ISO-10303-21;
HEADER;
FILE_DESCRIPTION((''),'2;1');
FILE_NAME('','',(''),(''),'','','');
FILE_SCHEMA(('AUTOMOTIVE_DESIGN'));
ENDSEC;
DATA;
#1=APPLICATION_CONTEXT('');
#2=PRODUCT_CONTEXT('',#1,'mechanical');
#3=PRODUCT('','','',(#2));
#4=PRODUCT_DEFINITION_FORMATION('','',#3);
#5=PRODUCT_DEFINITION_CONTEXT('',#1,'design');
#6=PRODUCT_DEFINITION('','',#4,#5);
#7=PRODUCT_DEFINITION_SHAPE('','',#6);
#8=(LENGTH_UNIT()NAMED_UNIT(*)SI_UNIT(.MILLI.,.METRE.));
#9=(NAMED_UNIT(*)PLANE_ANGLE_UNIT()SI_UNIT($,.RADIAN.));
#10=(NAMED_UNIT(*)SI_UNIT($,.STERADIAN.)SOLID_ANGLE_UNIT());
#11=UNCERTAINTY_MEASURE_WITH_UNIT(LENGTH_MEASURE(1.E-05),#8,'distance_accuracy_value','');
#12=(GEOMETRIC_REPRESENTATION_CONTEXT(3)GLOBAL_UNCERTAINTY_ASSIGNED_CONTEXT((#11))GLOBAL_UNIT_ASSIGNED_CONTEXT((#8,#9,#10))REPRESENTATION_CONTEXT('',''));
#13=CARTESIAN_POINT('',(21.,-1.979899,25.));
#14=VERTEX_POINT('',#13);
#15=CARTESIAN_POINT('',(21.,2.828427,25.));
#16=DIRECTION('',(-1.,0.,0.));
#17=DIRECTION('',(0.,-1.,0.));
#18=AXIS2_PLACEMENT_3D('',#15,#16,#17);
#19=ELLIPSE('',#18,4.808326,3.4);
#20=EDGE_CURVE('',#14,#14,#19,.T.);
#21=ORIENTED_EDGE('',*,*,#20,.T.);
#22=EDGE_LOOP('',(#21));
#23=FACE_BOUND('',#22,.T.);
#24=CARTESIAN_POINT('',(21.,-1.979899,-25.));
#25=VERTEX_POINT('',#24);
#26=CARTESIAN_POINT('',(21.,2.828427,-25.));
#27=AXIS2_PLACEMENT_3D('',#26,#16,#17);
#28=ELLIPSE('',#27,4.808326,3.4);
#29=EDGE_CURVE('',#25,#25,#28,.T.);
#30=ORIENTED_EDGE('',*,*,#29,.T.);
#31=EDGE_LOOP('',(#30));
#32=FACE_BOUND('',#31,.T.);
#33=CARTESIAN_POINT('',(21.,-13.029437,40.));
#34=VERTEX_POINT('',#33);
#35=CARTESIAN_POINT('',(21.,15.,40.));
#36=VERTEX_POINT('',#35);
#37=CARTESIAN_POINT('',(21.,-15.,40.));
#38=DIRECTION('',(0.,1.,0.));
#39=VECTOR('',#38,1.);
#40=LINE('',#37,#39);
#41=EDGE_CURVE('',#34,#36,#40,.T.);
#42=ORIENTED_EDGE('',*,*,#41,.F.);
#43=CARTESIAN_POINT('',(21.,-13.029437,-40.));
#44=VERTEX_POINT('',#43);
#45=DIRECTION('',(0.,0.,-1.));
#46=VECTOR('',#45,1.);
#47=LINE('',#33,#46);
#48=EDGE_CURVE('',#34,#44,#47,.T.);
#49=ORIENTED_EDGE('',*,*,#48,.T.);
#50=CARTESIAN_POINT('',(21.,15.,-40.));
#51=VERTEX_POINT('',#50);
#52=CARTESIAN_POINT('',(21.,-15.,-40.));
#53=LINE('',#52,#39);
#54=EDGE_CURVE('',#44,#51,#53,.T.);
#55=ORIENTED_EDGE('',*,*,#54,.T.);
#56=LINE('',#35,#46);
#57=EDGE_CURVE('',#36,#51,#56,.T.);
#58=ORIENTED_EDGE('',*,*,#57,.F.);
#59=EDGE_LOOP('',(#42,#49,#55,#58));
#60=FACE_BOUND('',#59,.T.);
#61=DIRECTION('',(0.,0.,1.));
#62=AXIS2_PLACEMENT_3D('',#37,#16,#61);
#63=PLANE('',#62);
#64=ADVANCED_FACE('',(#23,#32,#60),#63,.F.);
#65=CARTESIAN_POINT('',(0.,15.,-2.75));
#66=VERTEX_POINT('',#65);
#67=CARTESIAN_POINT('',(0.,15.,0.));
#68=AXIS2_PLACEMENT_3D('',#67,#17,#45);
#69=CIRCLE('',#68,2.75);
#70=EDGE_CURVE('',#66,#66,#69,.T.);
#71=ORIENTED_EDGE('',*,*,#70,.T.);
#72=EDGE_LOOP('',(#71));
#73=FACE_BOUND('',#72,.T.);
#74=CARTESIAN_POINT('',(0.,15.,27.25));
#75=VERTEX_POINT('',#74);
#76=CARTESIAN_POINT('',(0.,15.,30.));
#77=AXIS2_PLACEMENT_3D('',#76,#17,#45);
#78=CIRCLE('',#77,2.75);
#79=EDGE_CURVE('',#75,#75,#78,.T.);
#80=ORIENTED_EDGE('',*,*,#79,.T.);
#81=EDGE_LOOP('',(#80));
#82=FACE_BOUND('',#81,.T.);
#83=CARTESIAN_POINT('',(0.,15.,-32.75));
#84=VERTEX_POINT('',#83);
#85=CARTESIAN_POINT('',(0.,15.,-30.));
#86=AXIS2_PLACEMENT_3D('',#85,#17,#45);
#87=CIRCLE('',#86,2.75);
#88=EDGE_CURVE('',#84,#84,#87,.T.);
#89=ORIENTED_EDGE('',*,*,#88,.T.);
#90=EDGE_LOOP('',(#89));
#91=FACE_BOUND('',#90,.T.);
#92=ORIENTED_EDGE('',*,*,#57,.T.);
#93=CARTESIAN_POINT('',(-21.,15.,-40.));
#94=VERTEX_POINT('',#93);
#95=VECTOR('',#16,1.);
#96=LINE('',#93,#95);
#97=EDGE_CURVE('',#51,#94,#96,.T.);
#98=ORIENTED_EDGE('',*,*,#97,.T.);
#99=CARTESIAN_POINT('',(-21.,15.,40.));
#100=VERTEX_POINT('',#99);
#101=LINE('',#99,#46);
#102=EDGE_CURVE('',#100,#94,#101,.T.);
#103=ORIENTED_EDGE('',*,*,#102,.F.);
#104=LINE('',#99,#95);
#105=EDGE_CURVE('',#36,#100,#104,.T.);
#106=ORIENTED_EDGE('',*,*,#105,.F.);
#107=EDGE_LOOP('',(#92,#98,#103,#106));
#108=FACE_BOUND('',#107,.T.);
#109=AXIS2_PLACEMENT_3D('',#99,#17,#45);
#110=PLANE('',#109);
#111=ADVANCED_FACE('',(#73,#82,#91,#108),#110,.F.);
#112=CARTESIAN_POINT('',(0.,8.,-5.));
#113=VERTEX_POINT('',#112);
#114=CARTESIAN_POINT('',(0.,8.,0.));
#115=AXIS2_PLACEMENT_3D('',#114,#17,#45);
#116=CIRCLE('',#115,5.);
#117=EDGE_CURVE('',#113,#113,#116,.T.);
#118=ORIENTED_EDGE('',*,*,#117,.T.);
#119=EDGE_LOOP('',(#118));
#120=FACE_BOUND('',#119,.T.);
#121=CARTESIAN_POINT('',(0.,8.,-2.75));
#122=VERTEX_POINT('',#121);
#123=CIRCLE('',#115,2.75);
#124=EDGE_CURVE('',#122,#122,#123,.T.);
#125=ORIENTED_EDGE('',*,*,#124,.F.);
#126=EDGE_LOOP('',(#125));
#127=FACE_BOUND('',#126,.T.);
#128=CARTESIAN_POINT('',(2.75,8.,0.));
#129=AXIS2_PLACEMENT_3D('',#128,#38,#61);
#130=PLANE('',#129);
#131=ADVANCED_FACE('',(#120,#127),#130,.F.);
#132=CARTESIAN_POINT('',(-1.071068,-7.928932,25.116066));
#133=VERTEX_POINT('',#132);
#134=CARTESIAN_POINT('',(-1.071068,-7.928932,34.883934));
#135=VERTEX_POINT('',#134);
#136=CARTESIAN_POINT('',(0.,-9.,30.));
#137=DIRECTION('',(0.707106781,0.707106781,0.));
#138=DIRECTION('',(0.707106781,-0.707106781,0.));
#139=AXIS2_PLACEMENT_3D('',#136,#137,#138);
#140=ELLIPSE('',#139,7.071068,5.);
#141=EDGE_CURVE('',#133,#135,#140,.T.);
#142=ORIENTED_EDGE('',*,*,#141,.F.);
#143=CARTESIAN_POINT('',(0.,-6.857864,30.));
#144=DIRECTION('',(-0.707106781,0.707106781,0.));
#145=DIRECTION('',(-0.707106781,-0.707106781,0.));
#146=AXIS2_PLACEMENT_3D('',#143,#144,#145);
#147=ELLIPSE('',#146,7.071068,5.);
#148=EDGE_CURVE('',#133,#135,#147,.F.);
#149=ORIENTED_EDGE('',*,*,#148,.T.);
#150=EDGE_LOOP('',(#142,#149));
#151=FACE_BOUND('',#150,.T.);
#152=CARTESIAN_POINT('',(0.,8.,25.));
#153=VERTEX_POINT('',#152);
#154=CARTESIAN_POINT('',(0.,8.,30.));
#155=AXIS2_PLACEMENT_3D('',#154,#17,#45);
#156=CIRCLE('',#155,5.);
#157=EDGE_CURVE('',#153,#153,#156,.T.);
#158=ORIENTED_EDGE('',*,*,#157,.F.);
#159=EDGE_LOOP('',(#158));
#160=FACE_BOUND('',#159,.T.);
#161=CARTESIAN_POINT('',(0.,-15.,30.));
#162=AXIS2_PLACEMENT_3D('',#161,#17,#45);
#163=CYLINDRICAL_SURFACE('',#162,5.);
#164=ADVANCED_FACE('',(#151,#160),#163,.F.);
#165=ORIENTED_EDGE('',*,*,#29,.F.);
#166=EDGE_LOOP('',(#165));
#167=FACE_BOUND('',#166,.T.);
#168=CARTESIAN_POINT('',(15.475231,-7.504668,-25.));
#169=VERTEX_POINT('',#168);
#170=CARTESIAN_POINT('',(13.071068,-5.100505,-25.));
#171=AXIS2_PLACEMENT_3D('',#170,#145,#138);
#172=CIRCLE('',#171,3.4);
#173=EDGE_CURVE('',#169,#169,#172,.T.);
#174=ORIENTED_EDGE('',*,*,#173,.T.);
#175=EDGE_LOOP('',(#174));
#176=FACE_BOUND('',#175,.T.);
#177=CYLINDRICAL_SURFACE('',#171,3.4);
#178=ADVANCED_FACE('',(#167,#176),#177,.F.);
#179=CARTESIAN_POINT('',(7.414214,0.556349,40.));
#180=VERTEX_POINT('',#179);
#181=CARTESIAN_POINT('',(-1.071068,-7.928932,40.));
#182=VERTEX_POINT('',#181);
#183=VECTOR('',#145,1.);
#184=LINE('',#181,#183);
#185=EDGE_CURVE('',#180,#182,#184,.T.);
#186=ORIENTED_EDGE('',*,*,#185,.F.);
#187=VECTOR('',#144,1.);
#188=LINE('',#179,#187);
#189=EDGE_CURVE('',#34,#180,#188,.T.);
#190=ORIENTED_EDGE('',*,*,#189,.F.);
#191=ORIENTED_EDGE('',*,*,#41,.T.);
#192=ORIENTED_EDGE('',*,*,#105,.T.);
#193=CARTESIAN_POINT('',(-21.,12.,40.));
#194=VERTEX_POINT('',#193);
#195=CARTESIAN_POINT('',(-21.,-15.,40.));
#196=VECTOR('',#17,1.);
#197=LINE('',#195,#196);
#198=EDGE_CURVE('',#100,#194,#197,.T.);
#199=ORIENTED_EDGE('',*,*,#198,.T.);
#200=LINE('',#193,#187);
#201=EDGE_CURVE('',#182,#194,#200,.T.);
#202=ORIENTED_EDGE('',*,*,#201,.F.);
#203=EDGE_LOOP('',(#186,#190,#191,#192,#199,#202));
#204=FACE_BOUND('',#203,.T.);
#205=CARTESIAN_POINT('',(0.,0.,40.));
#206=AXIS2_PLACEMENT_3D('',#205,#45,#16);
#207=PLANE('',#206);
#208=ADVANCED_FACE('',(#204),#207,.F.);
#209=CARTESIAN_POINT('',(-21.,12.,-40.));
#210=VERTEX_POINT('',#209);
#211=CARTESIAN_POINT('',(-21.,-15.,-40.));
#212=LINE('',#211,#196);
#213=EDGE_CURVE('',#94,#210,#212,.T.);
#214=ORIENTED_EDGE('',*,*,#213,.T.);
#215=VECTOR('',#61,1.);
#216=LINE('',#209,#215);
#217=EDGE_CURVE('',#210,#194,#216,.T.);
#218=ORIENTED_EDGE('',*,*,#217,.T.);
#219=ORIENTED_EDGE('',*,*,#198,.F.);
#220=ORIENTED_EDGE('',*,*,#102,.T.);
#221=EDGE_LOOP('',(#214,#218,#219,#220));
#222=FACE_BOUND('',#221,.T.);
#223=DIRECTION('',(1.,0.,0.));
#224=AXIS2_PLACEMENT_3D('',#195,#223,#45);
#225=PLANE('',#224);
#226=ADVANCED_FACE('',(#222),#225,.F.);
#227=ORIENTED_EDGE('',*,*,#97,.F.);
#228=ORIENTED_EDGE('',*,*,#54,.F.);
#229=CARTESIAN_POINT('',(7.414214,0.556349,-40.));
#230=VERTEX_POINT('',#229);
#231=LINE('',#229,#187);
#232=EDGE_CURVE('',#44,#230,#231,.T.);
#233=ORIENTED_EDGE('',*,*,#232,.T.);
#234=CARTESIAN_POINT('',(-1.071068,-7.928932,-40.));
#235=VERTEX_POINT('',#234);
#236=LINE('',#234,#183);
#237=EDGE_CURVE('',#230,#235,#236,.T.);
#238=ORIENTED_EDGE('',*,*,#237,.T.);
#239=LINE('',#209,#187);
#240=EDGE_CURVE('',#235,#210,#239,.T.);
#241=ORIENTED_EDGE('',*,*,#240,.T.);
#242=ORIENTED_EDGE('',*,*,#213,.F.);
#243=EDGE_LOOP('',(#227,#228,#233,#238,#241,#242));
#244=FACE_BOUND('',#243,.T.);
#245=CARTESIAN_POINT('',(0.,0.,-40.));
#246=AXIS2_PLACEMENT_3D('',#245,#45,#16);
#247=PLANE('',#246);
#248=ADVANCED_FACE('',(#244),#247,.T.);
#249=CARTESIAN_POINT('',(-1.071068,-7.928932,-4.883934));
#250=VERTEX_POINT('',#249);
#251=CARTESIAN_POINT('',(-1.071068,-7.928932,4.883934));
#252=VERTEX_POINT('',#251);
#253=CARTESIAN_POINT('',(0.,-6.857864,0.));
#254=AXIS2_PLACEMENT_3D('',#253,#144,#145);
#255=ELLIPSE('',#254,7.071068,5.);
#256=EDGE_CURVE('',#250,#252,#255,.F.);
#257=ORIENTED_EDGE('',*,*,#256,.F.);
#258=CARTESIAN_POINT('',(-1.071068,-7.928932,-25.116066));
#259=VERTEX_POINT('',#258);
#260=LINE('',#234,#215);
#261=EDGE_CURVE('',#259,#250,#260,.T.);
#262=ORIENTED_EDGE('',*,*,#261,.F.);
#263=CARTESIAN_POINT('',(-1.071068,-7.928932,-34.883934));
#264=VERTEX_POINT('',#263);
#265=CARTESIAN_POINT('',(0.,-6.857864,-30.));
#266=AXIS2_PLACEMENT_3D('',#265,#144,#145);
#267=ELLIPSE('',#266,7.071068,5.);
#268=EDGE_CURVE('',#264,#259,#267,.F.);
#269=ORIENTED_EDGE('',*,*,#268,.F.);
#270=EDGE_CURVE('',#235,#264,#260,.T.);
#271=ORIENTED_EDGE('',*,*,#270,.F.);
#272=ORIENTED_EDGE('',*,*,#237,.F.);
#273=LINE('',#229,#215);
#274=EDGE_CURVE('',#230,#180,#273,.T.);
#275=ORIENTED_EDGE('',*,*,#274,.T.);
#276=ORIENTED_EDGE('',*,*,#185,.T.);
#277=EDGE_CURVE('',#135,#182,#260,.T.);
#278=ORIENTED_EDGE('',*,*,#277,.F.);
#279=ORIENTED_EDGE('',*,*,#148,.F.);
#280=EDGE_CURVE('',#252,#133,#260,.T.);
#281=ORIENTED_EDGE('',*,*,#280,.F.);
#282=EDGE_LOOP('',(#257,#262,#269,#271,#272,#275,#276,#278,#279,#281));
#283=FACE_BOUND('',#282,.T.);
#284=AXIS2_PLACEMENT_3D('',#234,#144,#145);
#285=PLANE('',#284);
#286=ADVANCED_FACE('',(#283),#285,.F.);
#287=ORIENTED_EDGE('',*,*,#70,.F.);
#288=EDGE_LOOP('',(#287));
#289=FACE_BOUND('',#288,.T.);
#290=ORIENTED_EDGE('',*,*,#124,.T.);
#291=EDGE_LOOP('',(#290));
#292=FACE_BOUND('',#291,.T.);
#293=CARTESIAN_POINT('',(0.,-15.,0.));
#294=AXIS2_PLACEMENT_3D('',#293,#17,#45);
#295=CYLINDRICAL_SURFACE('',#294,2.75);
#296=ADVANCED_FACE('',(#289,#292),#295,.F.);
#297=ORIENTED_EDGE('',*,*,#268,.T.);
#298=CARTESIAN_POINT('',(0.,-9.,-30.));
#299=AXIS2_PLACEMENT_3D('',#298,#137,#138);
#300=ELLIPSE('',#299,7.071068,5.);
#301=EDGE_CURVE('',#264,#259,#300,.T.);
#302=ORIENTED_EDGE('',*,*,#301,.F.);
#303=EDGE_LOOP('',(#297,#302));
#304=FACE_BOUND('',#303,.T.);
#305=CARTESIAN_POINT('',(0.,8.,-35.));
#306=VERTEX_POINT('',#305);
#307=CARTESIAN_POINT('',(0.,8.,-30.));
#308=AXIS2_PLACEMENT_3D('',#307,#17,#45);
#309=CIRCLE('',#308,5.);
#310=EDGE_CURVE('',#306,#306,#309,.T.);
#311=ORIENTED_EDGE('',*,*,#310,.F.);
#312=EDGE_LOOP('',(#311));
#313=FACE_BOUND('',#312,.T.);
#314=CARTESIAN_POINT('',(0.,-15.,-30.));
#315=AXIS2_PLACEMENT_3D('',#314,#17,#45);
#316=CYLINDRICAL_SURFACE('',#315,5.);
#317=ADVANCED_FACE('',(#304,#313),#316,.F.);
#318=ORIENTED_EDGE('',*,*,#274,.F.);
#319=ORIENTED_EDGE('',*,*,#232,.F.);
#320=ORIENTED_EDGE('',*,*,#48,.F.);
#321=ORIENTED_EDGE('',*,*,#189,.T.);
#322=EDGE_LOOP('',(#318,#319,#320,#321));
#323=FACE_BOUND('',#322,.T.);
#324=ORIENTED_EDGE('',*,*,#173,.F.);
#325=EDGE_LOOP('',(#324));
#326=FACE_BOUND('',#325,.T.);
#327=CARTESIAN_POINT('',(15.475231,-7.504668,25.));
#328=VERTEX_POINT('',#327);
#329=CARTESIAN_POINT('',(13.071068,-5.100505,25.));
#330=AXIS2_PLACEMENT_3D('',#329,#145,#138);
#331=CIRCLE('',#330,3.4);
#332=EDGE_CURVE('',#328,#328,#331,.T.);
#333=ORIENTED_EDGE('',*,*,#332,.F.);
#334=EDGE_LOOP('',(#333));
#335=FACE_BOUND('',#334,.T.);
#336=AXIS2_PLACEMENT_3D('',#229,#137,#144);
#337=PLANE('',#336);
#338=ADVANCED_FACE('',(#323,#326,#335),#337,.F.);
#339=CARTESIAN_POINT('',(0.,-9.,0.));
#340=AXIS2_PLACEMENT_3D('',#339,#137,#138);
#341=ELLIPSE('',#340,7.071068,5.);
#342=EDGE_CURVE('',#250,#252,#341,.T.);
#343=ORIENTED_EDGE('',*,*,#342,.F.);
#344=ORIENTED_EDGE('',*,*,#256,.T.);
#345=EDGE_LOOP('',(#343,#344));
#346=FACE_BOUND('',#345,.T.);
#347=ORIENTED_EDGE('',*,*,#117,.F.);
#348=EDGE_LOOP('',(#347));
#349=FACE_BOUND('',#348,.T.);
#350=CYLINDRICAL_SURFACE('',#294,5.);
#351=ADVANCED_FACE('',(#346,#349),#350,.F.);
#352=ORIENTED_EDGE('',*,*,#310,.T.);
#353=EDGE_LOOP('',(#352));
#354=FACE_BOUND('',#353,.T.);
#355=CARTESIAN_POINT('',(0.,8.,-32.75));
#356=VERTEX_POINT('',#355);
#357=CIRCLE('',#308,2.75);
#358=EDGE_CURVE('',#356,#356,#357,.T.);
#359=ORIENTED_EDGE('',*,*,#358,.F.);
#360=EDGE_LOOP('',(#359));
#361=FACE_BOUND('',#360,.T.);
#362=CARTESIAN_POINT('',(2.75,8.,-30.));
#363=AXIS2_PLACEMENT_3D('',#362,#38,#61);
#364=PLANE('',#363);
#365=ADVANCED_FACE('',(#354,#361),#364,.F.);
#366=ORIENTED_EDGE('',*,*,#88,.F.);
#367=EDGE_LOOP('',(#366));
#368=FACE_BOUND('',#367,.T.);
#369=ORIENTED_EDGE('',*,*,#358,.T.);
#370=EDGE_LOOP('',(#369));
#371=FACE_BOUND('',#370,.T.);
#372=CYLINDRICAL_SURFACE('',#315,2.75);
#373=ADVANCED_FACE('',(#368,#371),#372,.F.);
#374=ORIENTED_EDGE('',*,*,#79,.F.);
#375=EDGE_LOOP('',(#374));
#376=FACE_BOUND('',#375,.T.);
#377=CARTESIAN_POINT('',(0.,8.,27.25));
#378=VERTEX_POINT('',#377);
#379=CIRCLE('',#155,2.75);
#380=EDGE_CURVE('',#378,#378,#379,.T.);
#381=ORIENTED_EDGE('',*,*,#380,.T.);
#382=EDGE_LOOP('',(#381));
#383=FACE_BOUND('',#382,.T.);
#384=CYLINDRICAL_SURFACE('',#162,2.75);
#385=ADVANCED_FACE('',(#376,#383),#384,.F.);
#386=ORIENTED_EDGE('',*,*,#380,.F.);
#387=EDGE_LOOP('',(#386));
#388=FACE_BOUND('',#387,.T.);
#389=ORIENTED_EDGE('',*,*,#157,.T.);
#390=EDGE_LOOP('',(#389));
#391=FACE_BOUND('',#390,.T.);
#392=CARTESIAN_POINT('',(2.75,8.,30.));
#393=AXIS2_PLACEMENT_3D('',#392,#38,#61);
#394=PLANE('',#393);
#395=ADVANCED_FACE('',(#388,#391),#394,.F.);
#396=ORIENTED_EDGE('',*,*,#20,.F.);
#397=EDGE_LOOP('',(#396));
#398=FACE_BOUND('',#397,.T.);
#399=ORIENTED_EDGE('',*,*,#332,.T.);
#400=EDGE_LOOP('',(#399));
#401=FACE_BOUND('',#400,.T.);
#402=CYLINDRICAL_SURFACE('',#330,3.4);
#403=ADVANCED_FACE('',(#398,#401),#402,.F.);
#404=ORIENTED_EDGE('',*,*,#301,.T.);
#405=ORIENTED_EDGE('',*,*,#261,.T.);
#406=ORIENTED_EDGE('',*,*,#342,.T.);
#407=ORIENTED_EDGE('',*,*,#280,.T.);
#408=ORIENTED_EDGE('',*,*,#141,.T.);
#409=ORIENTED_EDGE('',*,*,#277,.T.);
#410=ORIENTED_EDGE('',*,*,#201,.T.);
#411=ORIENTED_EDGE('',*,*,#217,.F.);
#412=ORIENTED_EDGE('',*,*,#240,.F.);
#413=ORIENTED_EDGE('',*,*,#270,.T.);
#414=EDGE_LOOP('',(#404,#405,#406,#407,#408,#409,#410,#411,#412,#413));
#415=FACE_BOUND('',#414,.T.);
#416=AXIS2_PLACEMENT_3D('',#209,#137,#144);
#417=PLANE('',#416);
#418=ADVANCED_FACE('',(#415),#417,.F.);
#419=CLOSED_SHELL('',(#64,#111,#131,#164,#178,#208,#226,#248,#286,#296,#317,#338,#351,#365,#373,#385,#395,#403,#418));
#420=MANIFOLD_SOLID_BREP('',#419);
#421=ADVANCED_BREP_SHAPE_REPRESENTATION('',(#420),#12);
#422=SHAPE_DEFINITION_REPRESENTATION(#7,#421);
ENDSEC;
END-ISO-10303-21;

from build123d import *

# Parameters (mm, degrees)
SKETCH_1_W                = 42
SKETCH_1_H                = 30
EXTRUDE_1_DEPTH           = 40
CUT_EXTRUDE_1_DEPTH       = 85.059502735
HOLE_WIZARD_1_D           = 5.5
HOLE_WIZARD_1_CBORE_D     = 10
HOLE_WIZARD_1_CBORE_DEPTH = 23
CUT_EXTRUDE_2_DEPTH       = 85.059502735
HOLE_WIZARD_M8_1_D        = 6.8
HOLE_WIZARD_M8_1_DEPTH    = 19.75
HOLE_WIZARD_M8_1_TIP      = 2.042926105


with BuildPart() as part:
    # 草图1 → 凸台-拉伸1 (new, symmetric)
    with BuildSketch(Plane.XY):
        Rectangle(SKETCH_1_W, SKETCH_1_H)
    extrude(amount=EXTRUDE_1_DEPTH, both=True)

    # 草图2 → 切除-拉伸1 (cut, through all)
    with BuildSketch(Plane.XY.offset(40)):
        Polygon((-21, 12), (6, -15), (-21, -15), align=None)
    extrude(amount=-CUT_EXTRUDE_1_DEPTH, mode=Mode.SUBTRACT)

    # 打孔尺寸根据内六角圆柱头螺钉的类型1 (through all)
    with Locations(Plane(origin=(0, -15, 0), x_dir=(-1, 0, 0), z_dir=(0, -1, 0))):
        with Locations((0, -30), (0, 30), (0, 0)):
            CounterBoreHole(HOLE_WIZARD_1_D / 2, HOLE_WIZARD_1_CBORE_D / 2, HOLE_WIZARD_1_CBORE_DEPTH)

    # 草图3 → 切除-拉伸2 (cut, through all)
    with BuildSketch(Plane.XY.offset(40)):
        Polygon((-1.071067812, -7.928932188), (7.414213562, 0.556349186), (22.970562748, -15), (6, -15), align=None)
    extrude(amount=-CUT_EXTRUDE_2_DEPTH, mode=Mode.SUBTRACT)

    # M8 螺纹孔1
    with Locations(Plane(origin=(3.985281374, 3.985281374, 0), x_dir=(-0.7071067811865477, 0.7071067811865474, 0), z_dir=(-0.7071067811865474, -0.7071067811865477, 0))):
        with Locations((-12.849242405, 25), (-12.849242405, -25)):
            Hole(HOLE_WIZARD_M8_1_D / 2, depth=HOLE_WIZARD_M8_1_DEPTH)
            with Locations((0, 0, -(HOLE_WIZARD_M8_1_DEPTH + HOLE_WIZARD_M8_1_TIP / 2))):  # 118° drill point
                Cone(0, HOLE_WIZARD_M8_1_D / 2, HOLE_WIZARD_M8_1_TIP, mode=Mode.SUBTRACT)


solid = part.part
